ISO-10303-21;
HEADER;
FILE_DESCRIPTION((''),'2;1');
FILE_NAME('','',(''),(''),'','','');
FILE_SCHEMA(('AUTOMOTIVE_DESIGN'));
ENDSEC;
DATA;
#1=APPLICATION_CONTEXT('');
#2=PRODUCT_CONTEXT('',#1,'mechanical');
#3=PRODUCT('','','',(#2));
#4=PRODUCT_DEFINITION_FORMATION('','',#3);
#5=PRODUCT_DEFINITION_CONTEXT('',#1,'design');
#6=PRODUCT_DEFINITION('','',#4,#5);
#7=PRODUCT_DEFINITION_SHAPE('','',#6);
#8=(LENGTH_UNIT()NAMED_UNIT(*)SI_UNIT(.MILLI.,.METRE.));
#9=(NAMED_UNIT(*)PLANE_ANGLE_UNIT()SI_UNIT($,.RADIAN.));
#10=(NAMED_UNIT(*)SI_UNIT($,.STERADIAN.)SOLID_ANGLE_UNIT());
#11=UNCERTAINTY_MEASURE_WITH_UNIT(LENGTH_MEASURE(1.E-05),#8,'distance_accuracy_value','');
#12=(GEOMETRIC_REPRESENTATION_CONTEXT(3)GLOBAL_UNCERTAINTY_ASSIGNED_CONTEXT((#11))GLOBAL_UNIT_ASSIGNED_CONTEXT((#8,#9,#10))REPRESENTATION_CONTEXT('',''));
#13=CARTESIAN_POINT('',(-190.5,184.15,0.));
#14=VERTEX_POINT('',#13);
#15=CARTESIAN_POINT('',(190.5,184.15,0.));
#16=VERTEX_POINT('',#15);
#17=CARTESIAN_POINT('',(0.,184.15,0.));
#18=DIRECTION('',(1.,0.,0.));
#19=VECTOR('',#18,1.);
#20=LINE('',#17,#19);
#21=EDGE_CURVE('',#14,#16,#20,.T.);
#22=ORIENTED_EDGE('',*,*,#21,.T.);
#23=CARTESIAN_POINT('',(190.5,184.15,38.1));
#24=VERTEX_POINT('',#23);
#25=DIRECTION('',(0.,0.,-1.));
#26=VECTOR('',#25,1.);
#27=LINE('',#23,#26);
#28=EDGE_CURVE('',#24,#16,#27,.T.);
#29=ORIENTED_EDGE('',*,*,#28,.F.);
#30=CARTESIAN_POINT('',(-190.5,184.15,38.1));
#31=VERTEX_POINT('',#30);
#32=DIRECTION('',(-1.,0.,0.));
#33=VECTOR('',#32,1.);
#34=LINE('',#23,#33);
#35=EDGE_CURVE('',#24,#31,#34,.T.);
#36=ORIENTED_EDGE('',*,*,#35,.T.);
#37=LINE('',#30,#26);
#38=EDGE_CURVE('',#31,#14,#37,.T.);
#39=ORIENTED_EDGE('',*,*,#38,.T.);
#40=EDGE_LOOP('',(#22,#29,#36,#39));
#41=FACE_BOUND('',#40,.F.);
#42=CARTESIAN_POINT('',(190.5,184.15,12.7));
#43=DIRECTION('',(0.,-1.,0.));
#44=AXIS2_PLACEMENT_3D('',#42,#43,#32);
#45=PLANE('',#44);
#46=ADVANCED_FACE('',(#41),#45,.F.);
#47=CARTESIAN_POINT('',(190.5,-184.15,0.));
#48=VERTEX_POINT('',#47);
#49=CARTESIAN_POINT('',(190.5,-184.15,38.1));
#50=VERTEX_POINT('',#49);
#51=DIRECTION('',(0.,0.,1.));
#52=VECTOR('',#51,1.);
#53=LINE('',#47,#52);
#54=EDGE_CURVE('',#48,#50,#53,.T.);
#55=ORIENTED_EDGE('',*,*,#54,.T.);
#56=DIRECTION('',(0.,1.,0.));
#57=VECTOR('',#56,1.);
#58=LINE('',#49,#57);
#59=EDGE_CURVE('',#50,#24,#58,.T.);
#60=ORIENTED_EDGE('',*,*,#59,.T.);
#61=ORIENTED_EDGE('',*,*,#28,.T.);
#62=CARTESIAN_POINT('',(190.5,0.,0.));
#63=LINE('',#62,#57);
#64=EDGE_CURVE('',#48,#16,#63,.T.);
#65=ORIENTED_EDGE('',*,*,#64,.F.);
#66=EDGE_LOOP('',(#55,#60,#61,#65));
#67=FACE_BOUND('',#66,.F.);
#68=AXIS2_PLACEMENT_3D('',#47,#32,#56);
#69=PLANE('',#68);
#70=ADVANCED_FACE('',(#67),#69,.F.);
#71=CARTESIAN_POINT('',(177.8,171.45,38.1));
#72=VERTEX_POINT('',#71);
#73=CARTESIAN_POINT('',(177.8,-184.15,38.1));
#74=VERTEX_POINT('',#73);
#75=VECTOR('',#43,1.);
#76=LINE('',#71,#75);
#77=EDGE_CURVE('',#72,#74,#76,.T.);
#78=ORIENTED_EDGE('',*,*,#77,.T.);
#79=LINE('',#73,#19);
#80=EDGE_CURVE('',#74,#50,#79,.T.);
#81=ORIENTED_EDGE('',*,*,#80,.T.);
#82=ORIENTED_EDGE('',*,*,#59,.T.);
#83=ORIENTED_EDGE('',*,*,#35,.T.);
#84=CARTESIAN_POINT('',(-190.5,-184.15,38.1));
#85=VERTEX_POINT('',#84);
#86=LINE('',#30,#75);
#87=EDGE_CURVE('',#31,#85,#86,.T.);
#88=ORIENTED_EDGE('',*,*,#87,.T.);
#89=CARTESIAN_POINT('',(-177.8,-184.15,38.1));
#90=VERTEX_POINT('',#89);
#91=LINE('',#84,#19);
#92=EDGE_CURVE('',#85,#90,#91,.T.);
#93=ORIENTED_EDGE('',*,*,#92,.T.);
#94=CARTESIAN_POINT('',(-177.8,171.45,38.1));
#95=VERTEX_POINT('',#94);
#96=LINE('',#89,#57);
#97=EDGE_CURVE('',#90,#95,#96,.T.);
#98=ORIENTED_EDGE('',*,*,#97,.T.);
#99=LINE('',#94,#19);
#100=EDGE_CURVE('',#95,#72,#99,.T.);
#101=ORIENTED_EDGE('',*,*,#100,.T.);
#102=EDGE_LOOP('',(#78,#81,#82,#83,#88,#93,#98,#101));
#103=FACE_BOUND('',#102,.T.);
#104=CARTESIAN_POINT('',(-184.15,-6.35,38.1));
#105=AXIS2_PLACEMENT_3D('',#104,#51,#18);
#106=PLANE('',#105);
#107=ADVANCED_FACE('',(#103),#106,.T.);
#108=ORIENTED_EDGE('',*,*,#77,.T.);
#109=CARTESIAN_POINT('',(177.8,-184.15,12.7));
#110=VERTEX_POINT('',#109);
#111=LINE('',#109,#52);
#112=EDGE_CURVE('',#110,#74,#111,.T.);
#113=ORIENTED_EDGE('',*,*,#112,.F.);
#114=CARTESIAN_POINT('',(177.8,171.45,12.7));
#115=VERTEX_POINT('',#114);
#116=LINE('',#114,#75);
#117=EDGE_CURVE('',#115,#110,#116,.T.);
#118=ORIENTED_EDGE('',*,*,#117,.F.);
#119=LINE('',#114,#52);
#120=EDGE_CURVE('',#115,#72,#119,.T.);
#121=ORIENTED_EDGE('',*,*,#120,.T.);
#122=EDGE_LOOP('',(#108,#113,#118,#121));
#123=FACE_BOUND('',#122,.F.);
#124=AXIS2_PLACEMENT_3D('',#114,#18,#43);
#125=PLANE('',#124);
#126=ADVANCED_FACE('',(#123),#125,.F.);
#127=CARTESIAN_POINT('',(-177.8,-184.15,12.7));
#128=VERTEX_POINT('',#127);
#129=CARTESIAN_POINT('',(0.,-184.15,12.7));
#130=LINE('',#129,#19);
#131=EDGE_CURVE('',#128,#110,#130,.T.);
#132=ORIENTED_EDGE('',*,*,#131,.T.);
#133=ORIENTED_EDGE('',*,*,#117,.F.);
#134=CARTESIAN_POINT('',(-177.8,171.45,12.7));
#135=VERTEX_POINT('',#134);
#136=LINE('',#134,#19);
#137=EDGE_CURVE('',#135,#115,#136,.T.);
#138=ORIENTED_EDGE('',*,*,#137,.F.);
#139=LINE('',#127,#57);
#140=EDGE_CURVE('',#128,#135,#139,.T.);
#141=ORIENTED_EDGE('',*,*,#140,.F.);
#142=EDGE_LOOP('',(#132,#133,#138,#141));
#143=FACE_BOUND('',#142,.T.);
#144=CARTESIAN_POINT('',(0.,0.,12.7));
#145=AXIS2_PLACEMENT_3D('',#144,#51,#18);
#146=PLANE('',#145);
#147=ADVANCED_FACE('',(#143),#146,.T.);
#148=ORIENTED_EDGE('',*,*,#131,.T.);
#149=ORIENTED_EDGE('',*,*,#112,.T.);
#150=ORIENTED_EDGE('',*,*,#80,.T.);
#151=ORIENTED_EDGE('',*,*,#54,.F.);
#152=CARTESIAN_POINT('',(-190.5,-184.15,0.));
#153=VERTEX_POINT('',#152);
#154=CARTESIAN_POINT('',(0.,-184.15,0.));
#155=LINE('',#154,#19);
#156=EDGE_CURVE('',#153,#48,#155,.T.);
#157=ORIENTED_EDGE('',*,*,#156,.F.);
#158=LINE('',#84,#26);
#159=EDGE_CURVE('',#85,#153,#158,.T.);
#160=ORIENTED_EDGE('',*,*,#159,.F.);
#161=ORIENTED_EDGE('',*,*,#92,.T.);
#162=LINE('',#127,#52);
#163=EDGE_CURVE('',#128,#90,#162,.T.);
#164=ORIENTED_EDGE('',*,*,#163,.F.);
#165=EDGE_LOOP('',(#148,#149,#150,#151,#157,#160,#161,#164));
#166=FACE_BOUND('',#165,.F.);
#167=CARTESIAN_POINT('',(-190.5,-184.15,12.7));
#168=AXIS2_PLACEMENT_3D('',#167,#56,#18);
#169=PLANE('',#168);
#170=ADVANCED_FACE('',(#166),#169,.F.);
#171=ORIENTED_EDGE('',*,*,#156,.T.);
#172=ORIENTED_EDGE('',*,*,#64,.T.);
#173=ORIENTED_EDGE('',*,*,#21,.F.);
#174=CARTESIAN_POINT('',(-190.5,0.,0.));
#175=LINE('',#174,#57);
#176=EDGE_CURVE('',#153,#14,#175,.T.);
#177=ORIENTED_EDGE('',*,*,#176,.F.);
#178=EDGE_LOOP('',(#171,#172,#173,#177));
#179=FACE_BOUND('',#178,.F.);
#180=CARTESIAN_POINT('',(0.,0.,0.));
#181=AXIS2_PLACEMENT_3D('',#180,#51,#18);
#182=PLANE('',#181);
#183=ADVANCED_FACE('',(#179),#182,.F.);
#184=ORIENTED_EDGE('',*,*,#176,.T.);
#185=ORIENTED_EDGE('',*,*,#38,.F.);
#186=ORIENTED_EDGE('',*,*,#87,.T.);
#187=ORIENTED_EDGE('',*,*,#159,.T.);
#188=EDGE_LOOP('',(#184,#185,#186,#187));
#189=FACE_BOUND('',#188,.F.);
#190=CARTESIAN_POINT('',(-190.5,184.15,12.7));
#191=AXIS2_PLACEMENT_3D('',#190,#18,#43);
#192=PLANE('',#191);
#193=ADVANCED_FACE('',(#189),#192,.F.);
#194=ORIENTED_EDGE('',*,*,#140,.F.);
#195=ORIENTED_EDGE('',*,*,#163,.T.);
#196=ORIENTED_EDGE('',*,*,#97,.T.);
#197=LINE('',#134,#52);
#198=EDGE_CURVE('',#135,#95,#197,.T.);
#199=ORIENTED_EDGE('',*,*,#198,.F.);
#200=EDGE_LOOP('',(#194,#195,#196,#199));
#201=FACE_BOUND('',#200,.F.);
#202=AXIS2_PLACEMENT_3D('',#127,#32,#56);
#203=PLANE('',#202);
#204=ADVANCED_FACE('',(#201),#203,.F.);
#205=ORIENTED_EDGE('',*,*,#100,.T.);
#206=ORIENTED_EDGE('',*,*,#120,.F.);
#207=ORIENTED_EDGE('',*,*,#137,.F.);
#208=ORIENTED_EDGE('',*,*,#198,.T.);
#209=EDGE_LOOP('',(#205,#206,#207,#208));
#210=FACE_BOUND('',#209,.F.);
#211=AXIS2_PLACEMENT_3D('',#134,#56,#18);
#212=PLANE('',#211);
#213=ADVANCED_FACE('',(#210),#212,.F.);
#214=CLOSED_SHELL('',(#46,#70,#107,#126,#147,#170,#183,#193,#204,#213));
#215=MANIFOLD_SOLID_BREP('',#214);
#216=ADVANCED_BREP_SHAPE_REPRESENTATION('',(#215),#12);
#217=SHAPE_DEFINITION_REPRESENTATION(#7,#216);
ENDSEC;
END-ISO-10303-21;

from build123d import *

# Parameters (mm, degrees)
F0_W     = 381
F0_H     = 368.3
F1_DEPTH = 12.7
F3_DEPTH = 25.4


with BuildPart() as f1:
    # F0 (on Top) → F1 (new body)
    with BuildSketch(Plane.XY):
        Rectangle(F0_W, F0_H)
    extrude(amount=F1_DEPTH)

    # F2 (on face) → F3 (join)
    with BuildSketch(Plane.XY.offset(12.7)):
        Polygon((-177.8, 171.45), (-190.5, 171.45), (-190.5, -171.45), (-190.5, -184.15), (-177.8, -184.15), align=None)
        Polygon((190.5, 184.15), (-190.5, 184.15), (-190.5, 171.45), (-177.8, 171.45), (177.8, 171.45), (190.5, 171.45), align=None)
        Polygon((190.5, -184.15), (190.5, 171.45), (177.8, 171.45), (177.8, -171.45), (177.8, -184.15), align=None)
    extrude(amount=F3_DEPTH)


solid = f1.part
